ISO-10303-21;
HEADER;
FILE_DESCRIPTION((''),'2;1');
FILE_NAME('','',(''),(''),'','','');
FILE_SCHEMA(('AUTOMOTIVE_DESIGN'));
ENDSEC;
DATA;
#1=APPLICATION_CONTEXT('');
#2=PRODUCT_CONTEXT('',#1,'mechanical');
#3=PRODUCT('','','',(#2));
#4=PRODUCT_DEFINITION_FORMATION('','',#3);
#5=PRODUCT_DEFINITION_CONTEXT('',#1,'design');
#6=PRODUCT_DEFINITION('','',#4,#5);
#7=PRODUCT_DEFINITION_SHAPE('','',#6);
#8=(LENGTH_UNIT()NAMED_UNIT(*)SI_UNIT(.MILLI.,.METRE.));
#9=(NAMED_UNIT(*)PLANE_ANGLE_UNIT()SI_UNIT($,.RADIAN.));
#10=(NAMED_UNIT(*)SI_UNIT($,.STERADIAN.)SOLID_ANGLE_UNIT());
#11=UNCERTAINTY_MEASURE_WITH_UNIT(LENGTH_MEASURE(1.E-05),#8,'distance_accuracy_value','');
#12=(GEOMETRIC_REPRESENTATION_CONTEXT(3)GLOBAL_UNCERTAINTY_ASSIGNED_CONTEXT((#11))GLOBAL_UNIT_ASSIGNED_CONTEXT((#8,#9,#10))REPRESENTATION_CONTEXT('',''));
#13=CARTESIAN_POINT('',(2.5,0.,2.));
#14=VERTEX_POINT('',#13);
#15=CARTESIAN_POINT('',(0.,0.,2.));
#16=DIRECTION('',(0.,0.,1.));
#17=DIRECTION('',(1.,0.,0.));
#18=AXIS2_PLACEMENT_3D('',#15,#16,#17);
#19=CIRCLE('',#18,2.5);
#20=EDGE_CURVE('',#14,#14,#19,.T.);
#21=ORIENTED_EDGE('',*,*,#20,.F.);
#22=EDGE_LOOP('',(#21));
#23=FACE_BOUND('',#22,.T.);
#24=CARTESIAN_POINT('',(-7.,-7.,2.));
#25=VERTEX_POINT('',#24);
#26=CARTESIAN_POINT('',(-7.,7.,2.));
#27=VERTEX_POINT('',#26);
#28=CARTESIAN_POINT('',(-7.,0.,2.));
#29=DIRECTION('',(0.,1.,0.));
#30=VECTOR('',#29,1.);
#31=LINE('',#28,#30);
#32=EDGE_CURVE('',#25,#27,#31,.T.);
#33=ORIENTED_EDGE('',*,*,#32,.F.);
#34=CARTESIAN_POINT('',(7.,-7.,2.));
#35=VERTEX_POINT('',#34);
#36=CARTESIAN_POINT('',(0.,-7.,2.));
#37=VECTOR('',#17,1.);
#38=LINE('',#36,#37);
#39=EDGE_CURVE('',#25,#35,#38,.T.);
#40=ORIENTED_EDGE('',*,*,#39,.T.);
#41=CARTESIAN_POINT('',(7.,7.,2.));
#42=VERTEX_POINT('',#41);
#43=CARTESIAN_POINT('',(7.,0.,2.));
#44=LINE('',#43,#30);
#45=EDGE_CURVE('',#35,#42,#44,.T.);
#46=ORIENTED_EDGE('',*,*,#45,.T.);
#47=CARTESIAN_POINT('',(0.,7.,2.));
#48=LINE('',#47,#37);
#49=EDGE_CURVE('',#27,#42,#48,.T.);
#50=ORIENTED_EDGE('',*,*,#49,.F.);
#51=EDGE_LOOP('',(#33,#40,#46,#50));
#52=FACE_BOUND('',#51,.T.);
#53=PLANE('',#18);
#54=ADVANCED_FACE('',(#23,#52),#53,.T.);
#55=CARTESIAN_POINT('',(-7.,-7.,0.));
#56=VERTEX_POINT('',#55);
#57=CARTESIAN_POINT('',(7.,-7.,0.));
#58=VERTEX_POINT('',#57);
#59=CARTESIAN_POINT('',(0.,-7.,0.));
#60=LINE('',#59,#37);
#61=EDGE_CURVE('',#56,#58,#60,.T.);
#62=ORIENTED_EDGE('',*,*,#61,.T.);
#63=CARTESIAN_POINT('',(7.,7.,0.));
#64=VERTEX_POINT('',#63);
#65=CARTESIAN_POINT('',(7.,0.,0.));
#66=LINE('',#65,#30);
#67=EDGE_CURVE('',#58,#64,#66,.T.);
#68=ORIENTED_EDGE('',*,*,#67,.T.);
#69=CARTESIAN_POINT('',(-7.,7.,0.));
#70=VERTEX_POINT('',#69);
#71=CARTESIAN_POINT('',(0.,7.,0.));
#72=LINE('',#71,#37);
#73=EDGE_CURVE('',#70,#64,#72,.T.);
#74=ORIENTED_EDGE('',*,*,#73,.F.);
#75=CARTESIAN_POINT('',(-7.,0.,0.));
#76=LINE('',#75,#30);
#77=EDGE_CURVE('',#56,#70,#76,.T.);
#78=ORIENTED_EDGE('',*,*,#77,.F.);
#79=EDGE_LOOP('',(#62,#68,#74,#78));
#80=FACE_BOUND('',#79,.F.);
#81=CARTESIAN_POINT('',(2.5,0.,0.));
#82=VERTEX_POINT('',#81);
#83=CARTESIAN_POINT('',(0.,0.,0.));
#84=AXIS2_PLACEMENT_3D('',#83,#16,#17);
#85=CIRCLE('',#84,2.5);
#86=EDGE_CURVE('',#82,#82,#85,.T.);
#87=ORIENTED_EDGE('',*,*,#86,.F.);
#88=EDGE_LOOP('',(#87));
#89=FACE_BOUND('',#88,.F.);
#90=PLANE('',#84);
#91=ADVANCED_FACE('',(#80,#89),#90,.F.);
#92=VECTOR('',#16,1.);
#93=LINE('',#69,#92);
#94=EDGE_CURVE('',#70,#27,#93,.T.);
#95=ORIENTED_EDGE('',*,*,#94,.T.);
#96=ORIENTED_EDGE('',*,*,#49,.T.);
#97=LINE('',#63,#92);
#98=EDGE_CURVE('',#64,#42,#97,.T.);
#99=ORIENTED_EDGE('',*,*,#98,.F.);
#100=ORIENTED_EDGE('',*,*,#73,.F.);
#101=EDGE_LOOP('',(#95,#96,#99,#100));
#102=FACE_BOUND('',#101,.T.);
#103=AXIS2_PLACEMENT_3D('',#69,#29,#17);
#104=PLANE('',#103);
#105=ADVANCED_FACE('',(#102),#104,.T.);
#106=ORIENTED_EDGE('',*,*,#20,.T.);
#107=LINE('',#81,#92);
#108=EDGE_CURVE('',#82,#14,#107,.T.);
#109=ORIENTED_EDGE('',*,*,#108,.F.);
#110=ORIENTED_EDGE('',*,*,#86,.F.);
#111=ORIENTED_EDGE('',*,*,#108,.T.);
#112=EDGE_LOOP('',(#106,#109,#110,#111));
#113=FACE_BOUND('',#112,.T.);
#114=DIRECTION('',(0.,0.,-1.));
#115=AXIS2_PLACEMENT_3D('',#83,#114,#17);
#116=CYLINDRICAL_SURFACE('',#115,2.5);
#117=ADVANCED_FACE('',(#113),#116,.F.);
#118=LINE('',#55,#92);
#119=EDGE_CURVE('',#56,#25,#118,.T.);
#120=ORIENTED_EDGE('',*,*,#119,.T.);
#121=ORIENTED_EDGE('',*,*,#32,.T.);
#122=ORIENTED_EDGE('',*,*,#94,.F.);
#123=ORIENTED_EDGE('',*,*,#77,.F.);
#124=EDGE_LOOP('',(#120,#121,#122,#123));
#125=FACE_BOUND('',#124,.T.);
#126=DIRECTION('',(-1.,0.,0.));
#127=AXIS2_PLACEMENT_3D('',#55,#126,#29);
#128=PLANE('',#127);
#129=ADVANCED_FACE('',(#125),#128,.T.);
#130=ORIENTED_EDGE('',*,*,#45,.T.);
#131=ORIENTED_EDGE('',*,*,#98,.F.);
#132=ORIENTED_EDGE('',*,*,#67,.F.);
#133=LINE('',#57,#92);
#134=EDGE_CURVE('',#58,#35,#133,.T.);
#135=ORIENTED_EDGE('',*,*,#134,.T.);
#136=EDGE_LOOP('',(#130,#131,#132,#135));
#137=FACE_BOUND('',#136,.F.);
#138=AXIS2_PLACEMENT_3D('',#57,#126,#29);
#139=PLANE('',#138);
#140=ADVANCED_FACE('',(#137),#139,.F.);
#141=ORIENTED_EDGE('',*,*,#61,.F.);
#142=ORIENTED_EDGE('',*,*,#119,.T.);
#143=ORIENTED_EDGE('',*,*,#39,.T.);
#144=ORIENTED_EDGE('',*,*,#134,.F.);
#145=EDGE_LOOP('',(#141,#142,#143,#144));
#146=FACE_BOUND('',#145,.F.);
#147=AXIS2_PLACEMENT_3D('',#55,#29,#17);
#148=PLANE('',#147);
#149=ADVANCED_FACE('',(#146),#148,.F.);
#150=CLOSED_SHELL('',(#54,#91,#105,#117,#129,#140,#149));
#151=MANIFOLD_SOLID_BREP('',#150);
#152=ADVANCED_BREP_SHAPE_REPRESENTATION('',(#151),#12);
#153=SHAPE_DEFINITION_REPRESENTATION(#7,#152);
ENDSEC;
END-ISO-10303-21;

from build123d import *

# Parameters (mm, degrees)
SKETCH_W      = 14
SKETCH_H      = 14
SKETCH_R      = 2.5
EXTRUDE_DEPTH = 2


with BuildPart() as part:
    # Sketch → Extrude (new body)
    with BuildSketch(Plane.XY):
        Rectangle(SKETCH_W, SKETCH_H)
        Circle(SKETCH_R, mode=Mode.SUBTRACT)
    extrude(amount=EXTRUDE_DEPTH)


solid = part.part
